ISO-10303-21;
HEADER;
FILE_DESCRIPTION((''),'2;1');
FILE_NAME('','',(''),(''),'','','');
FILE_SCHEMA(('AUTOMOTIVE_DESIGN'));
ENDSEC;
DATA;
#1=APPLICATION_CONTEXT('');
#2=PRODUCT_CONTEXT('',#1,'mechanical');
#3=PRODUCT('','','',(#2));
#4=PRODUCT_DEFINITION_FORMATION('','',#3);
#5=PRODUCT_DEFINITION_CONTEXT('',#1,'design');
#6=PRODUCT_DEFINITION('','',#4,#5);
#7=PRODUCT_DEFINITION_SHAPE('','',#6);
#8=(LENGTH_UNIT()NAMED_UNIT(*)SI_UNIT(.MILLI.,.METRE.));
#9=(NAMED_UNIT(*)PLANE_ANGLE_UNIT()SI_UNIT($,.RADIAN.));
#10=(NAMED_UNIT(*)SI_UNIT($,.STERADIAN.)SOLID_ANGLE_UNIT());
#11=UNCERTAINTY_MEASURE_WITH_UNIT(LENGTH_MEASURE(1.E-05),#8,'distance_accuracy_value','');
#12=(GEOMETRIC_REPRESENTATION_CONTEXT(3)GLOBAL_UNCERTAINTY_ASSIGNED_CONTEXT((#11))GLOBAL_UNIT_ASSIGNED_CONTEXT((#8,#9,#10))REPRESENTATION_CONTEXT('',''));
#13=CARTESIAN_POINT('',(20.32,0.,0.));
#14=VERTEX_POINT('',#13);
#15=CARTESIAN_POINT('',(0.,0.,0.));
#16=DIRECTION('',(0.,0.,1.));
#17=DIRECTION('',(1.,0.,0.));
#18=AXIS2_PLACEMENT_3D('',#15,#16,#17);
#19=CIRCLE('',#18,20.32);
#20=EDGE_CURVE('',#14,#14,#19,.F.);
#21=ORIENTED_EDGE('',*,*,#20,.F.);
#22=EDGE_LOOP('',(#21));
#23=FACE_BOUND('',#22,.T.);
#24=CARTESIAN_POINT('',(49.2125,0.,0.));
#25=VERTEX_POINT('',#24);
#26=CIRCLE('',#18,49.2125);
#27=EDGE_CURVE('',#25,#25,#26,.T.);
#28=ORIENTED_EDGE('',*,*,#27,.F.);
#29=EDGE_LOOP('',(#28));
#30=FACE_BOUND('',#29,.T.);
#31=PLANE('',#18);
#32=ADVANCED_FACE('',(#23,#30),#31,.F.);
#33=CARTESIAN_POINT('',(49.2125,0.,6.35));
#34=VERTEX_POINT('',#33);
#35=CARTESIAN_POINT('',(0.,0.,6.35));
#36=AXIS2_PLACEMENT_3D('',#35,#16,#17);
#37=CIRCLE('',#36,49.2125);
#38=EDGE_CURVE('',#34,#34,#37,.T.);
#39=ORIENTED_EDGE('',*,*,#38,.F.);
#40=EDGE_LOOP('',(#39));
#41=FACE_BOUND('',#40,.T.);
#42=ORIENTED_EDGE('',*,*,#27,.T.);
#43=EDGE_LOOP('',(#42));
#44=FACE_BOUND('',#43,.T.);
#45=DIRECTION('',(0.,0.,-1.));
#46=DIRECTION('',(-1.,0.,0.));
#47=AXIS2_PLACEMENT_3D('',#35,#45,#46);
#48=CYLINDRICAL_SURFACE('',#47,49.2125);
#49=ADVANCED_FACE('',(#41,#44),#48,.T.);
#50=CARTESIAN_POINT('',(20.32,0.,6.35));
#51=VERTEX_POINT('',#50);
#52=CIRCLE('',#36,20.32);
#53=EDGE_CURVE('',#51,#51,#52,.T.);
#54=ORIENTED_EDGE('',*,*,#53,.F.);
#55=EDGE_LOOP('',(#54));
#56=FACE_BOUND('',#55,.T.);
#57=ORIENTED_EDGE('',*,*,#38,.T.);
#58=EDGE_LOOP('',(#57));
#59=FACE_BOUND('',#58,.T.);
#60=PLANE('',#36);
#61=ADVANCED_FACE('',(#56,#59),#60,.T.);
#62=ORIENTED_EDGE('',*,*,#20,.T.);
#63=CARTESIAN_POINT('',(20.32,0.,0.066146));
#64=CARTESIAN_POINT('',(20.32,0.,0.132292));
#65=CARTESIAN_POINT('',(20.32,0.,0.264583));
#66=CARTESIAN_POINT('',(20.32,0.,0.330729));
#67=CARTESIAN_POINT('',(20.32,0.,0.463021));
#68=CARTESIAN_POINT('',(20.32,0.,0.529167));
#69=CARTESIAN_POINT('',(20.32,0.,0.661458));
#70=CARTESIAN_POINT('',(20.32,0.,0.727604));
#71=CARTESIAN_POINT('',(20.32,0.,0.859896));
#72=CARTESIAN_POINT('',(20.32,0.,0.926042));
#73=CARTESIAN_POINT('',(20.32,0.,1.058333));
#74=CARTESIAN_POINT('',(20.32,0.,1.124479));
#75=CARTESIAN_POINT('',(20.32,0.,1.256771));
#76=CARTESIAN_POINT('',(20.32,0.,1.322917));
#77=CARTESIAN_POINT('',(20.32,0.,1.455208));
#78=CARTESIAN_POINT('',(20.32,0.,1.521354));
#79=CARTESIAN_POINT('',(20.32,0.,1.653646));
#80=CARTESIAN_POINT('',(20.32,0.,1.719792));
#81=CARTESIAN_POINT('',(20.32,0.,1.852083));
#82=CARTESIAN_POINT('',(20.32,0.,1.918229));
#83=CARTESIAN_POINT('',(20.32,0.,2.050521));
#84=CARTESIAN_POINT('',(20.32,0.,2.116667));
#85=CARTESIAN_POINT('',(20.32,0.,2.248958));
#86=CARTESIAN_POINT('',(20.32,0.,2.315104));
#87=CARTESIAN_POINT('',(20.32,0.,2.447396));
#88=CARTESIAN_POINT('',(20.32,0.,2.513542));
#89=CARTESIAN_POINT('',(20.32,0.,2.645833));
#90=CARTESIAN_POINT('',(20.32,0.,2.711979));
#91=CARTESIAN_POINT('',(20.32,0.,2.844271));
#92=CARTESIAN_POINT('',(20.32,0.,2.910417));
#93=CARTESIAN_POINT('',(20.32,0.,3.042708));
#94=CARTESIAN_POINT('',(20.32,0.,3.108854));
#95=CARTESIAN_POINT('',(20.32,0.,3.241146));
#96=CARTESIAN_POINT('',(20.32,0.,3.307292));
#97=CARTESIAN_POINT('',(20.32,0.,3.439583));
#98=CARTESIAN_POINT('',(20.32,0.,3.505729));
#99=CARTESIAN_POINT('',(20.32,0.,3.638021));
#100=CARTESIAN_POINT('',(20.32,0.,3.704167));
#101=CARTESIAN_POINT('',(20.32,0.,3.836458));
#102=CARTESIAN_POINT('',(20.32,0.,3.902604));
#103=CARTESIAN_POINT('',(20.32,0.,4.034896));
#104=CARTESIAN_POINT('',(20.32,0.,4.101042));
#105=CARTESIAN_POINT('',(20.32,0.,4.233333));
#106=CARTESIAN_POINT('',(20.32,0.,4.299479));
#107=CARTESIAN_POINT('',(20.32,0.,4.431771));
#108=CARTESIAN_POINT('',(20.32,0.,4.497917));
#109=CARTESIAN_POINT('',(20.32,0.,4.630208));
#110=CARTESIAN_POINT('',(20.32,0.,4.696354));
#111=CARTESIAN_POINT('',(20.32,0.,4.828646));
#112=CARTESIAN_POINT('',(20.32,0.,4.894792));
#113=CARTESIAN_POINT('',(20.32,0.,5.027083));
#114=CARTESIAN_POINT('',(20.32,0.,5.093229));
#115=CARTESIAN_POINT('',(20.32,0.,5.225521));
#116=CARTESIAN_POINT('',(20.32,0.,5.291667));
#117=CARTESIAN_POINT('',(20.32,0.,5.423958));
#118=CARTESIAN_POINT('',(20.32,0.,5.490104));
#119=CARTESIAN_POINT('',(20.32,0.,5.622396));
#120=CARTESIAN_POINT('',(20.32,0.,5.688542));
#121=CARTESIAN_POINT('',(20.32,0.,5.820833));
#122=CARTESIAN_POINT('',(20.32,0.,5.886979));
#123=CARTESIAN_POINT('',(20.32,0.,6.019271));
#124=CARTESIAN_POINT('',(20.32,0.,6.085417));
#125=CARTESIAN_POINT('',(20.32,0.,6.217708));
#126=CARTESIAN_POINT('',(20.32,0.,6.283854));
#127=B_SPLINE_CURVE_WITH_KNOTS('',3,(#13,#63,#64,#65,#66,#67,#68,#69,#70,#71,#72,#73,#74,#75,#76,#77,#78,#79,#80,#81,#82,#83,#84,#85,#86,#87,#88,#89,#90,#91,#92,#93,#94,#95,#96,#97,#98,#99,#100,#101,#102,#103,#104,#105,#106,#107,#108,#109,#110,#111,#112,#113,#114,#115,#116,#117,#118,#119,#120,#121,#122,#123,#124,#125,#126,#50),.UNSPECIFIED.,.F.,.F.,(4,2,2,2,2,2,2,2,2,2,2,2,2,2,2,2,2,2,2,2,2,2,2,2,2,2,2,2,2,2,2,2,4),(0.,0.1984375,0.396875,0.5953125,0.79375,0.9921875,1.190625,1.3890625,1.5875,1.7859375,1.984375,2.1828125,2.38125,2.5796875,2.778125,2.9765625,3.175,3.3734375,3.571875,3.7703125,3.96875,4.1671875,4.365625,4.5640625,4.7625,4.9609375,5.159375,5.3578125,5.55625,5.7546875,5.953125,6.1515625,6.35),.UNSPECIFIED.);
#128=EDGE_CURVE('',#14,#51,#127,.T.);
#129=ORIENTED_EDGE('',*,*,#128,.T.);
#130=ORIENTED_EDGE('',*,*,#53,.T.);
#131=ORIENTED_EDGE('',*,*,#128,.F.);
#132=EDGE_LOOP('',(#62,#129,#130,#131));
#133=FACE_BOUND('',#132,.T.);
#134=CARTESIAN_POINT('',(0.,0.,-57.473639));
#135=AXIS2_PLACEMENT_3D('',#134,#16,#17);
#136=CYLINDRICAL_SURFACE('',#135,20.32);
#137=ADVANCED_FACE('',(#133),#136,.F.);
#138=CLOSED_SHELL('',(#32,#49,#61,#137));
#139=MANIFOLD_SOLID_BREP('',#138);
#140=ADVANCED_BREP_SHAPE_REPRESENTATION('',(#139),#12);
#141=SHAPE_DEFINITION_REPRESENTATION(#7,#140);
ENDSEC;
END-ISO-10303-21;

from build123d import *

# Parameters (mm, degrees)
SKETCH1_R           = 49.2125
BOSS_EXTRUDE1_DEPTH = 6.35
SKETCH2_R           = 20.32
CUT_EXTRUDE1_DEPTH  = 6.35


with BuildPart() as part:
    # Sketch1 → Boss-Extrude1 (new body)
    with BuildSketch(Plane.XY):
        Circle(SKETCH1_R)
    extrude(amount=BOSS_EXTRUDE1_DEPTH)

    # Sketch2 → Cut-Extrude1 (cut)
    with BuildSketch(Plane.XY.offset(6.35)):
        Circle(SKETCH2_R)
    extrude(amount=-CUT_EXTRUDE1_DEPTH, mode=Mode.SUBTRACT)


solid = part.part
